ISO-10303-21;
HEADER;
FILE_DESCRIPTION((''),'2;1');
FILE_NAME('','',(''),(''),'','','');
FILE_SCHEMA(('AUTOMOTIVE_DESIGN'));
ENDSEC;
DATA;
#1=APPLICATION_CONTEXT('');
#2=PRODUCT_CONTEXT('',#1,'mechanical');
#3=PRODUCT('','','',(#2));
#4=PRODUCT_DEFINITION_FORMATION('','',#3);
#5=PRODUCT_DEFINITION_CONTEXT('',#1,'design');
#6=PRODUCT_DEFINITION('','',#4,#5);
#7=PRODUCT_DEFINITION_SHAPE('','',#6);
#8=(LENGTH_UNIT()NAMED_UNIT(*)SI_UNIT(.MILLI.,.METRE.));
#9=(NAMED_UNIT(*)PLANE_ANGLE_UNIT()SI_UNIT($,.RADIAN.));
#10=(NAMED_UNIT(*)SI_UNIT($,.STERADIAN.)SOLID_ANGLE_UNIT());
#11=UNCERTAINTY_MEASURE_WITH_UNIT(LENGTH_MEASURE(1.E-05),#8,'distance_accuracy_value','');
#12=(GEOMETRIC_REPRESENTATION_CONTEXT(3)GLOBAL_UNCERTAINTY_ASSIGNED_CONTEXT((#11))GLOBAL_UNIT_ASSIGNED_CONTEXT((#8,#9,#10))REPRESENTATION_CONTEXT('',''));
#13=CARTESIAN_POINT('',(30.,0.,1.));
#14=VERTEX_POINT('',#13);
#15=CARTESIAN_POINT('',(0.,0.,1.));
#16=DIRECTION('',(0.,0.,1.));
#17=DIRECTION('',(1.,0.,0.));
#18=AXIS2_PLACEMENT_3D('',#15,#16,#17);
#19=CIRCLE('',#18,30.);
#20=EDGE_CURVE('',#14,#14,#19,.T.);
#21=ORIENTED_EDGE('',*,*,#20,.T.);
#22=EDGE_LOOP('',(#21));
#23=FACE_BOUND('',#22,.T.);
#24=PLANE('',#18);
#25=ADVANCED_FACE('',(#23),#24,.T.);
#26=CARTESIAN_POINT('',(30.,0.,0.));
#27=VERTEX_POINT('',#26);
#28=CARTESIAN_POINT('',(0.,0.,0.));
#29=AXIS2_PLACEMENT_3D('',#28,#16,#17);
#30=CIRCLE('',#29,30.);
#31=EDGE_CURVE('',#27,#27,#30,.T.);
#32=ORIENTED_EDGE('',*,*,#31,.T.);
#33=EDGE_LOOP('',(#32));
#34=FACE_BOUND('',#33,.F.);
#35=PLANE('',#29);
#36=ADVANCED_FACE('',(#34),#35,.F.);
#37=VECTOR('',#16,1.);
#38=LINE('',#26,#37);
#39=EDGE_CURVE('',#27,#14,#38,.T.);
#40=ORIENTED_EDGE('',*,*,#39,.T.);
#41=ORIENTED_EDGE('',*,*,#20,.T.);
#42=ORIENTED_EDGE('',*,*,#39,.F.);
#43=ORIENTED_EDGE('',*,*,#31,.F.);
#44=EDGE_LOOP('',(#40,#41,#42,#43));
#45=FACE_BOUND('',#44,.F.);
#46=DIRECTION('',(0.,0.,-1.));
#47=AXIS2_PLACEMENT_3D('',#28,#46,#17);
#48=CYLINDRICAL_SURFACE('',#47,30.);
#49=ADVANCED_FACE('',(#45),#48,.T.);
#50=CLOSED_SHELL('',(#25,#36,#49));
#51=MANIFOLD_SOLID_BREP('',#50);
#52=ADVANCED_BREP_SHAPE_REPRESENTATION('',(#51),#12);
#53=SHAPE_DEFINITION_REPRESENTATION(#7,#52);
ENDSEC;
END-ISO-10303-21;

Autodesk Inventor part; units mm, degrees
ref_plane "YZ Plane" through (0, 0, 0) normal (1, 0, 0) x (0, 1, 0)
ref_plane "XZ Plane" through (0, 0, 0) normal (0, 1, 0) x (-1, 0, 0)
ref_plane "XY Plane" through (0, 0, 0) normal (0, 0, 1) x (1, 0, 0)
sketch "スケッチ1" plane through (0, 0, 0) normal (0, 0, 1) x (1, 0, 0)
  circle A0 centre (0, 0) radius 30
  dimension "d0" = 60
extrude "押し出し1" add sketch "スケッチ1" along normal blind 1
properties part number "link5"
